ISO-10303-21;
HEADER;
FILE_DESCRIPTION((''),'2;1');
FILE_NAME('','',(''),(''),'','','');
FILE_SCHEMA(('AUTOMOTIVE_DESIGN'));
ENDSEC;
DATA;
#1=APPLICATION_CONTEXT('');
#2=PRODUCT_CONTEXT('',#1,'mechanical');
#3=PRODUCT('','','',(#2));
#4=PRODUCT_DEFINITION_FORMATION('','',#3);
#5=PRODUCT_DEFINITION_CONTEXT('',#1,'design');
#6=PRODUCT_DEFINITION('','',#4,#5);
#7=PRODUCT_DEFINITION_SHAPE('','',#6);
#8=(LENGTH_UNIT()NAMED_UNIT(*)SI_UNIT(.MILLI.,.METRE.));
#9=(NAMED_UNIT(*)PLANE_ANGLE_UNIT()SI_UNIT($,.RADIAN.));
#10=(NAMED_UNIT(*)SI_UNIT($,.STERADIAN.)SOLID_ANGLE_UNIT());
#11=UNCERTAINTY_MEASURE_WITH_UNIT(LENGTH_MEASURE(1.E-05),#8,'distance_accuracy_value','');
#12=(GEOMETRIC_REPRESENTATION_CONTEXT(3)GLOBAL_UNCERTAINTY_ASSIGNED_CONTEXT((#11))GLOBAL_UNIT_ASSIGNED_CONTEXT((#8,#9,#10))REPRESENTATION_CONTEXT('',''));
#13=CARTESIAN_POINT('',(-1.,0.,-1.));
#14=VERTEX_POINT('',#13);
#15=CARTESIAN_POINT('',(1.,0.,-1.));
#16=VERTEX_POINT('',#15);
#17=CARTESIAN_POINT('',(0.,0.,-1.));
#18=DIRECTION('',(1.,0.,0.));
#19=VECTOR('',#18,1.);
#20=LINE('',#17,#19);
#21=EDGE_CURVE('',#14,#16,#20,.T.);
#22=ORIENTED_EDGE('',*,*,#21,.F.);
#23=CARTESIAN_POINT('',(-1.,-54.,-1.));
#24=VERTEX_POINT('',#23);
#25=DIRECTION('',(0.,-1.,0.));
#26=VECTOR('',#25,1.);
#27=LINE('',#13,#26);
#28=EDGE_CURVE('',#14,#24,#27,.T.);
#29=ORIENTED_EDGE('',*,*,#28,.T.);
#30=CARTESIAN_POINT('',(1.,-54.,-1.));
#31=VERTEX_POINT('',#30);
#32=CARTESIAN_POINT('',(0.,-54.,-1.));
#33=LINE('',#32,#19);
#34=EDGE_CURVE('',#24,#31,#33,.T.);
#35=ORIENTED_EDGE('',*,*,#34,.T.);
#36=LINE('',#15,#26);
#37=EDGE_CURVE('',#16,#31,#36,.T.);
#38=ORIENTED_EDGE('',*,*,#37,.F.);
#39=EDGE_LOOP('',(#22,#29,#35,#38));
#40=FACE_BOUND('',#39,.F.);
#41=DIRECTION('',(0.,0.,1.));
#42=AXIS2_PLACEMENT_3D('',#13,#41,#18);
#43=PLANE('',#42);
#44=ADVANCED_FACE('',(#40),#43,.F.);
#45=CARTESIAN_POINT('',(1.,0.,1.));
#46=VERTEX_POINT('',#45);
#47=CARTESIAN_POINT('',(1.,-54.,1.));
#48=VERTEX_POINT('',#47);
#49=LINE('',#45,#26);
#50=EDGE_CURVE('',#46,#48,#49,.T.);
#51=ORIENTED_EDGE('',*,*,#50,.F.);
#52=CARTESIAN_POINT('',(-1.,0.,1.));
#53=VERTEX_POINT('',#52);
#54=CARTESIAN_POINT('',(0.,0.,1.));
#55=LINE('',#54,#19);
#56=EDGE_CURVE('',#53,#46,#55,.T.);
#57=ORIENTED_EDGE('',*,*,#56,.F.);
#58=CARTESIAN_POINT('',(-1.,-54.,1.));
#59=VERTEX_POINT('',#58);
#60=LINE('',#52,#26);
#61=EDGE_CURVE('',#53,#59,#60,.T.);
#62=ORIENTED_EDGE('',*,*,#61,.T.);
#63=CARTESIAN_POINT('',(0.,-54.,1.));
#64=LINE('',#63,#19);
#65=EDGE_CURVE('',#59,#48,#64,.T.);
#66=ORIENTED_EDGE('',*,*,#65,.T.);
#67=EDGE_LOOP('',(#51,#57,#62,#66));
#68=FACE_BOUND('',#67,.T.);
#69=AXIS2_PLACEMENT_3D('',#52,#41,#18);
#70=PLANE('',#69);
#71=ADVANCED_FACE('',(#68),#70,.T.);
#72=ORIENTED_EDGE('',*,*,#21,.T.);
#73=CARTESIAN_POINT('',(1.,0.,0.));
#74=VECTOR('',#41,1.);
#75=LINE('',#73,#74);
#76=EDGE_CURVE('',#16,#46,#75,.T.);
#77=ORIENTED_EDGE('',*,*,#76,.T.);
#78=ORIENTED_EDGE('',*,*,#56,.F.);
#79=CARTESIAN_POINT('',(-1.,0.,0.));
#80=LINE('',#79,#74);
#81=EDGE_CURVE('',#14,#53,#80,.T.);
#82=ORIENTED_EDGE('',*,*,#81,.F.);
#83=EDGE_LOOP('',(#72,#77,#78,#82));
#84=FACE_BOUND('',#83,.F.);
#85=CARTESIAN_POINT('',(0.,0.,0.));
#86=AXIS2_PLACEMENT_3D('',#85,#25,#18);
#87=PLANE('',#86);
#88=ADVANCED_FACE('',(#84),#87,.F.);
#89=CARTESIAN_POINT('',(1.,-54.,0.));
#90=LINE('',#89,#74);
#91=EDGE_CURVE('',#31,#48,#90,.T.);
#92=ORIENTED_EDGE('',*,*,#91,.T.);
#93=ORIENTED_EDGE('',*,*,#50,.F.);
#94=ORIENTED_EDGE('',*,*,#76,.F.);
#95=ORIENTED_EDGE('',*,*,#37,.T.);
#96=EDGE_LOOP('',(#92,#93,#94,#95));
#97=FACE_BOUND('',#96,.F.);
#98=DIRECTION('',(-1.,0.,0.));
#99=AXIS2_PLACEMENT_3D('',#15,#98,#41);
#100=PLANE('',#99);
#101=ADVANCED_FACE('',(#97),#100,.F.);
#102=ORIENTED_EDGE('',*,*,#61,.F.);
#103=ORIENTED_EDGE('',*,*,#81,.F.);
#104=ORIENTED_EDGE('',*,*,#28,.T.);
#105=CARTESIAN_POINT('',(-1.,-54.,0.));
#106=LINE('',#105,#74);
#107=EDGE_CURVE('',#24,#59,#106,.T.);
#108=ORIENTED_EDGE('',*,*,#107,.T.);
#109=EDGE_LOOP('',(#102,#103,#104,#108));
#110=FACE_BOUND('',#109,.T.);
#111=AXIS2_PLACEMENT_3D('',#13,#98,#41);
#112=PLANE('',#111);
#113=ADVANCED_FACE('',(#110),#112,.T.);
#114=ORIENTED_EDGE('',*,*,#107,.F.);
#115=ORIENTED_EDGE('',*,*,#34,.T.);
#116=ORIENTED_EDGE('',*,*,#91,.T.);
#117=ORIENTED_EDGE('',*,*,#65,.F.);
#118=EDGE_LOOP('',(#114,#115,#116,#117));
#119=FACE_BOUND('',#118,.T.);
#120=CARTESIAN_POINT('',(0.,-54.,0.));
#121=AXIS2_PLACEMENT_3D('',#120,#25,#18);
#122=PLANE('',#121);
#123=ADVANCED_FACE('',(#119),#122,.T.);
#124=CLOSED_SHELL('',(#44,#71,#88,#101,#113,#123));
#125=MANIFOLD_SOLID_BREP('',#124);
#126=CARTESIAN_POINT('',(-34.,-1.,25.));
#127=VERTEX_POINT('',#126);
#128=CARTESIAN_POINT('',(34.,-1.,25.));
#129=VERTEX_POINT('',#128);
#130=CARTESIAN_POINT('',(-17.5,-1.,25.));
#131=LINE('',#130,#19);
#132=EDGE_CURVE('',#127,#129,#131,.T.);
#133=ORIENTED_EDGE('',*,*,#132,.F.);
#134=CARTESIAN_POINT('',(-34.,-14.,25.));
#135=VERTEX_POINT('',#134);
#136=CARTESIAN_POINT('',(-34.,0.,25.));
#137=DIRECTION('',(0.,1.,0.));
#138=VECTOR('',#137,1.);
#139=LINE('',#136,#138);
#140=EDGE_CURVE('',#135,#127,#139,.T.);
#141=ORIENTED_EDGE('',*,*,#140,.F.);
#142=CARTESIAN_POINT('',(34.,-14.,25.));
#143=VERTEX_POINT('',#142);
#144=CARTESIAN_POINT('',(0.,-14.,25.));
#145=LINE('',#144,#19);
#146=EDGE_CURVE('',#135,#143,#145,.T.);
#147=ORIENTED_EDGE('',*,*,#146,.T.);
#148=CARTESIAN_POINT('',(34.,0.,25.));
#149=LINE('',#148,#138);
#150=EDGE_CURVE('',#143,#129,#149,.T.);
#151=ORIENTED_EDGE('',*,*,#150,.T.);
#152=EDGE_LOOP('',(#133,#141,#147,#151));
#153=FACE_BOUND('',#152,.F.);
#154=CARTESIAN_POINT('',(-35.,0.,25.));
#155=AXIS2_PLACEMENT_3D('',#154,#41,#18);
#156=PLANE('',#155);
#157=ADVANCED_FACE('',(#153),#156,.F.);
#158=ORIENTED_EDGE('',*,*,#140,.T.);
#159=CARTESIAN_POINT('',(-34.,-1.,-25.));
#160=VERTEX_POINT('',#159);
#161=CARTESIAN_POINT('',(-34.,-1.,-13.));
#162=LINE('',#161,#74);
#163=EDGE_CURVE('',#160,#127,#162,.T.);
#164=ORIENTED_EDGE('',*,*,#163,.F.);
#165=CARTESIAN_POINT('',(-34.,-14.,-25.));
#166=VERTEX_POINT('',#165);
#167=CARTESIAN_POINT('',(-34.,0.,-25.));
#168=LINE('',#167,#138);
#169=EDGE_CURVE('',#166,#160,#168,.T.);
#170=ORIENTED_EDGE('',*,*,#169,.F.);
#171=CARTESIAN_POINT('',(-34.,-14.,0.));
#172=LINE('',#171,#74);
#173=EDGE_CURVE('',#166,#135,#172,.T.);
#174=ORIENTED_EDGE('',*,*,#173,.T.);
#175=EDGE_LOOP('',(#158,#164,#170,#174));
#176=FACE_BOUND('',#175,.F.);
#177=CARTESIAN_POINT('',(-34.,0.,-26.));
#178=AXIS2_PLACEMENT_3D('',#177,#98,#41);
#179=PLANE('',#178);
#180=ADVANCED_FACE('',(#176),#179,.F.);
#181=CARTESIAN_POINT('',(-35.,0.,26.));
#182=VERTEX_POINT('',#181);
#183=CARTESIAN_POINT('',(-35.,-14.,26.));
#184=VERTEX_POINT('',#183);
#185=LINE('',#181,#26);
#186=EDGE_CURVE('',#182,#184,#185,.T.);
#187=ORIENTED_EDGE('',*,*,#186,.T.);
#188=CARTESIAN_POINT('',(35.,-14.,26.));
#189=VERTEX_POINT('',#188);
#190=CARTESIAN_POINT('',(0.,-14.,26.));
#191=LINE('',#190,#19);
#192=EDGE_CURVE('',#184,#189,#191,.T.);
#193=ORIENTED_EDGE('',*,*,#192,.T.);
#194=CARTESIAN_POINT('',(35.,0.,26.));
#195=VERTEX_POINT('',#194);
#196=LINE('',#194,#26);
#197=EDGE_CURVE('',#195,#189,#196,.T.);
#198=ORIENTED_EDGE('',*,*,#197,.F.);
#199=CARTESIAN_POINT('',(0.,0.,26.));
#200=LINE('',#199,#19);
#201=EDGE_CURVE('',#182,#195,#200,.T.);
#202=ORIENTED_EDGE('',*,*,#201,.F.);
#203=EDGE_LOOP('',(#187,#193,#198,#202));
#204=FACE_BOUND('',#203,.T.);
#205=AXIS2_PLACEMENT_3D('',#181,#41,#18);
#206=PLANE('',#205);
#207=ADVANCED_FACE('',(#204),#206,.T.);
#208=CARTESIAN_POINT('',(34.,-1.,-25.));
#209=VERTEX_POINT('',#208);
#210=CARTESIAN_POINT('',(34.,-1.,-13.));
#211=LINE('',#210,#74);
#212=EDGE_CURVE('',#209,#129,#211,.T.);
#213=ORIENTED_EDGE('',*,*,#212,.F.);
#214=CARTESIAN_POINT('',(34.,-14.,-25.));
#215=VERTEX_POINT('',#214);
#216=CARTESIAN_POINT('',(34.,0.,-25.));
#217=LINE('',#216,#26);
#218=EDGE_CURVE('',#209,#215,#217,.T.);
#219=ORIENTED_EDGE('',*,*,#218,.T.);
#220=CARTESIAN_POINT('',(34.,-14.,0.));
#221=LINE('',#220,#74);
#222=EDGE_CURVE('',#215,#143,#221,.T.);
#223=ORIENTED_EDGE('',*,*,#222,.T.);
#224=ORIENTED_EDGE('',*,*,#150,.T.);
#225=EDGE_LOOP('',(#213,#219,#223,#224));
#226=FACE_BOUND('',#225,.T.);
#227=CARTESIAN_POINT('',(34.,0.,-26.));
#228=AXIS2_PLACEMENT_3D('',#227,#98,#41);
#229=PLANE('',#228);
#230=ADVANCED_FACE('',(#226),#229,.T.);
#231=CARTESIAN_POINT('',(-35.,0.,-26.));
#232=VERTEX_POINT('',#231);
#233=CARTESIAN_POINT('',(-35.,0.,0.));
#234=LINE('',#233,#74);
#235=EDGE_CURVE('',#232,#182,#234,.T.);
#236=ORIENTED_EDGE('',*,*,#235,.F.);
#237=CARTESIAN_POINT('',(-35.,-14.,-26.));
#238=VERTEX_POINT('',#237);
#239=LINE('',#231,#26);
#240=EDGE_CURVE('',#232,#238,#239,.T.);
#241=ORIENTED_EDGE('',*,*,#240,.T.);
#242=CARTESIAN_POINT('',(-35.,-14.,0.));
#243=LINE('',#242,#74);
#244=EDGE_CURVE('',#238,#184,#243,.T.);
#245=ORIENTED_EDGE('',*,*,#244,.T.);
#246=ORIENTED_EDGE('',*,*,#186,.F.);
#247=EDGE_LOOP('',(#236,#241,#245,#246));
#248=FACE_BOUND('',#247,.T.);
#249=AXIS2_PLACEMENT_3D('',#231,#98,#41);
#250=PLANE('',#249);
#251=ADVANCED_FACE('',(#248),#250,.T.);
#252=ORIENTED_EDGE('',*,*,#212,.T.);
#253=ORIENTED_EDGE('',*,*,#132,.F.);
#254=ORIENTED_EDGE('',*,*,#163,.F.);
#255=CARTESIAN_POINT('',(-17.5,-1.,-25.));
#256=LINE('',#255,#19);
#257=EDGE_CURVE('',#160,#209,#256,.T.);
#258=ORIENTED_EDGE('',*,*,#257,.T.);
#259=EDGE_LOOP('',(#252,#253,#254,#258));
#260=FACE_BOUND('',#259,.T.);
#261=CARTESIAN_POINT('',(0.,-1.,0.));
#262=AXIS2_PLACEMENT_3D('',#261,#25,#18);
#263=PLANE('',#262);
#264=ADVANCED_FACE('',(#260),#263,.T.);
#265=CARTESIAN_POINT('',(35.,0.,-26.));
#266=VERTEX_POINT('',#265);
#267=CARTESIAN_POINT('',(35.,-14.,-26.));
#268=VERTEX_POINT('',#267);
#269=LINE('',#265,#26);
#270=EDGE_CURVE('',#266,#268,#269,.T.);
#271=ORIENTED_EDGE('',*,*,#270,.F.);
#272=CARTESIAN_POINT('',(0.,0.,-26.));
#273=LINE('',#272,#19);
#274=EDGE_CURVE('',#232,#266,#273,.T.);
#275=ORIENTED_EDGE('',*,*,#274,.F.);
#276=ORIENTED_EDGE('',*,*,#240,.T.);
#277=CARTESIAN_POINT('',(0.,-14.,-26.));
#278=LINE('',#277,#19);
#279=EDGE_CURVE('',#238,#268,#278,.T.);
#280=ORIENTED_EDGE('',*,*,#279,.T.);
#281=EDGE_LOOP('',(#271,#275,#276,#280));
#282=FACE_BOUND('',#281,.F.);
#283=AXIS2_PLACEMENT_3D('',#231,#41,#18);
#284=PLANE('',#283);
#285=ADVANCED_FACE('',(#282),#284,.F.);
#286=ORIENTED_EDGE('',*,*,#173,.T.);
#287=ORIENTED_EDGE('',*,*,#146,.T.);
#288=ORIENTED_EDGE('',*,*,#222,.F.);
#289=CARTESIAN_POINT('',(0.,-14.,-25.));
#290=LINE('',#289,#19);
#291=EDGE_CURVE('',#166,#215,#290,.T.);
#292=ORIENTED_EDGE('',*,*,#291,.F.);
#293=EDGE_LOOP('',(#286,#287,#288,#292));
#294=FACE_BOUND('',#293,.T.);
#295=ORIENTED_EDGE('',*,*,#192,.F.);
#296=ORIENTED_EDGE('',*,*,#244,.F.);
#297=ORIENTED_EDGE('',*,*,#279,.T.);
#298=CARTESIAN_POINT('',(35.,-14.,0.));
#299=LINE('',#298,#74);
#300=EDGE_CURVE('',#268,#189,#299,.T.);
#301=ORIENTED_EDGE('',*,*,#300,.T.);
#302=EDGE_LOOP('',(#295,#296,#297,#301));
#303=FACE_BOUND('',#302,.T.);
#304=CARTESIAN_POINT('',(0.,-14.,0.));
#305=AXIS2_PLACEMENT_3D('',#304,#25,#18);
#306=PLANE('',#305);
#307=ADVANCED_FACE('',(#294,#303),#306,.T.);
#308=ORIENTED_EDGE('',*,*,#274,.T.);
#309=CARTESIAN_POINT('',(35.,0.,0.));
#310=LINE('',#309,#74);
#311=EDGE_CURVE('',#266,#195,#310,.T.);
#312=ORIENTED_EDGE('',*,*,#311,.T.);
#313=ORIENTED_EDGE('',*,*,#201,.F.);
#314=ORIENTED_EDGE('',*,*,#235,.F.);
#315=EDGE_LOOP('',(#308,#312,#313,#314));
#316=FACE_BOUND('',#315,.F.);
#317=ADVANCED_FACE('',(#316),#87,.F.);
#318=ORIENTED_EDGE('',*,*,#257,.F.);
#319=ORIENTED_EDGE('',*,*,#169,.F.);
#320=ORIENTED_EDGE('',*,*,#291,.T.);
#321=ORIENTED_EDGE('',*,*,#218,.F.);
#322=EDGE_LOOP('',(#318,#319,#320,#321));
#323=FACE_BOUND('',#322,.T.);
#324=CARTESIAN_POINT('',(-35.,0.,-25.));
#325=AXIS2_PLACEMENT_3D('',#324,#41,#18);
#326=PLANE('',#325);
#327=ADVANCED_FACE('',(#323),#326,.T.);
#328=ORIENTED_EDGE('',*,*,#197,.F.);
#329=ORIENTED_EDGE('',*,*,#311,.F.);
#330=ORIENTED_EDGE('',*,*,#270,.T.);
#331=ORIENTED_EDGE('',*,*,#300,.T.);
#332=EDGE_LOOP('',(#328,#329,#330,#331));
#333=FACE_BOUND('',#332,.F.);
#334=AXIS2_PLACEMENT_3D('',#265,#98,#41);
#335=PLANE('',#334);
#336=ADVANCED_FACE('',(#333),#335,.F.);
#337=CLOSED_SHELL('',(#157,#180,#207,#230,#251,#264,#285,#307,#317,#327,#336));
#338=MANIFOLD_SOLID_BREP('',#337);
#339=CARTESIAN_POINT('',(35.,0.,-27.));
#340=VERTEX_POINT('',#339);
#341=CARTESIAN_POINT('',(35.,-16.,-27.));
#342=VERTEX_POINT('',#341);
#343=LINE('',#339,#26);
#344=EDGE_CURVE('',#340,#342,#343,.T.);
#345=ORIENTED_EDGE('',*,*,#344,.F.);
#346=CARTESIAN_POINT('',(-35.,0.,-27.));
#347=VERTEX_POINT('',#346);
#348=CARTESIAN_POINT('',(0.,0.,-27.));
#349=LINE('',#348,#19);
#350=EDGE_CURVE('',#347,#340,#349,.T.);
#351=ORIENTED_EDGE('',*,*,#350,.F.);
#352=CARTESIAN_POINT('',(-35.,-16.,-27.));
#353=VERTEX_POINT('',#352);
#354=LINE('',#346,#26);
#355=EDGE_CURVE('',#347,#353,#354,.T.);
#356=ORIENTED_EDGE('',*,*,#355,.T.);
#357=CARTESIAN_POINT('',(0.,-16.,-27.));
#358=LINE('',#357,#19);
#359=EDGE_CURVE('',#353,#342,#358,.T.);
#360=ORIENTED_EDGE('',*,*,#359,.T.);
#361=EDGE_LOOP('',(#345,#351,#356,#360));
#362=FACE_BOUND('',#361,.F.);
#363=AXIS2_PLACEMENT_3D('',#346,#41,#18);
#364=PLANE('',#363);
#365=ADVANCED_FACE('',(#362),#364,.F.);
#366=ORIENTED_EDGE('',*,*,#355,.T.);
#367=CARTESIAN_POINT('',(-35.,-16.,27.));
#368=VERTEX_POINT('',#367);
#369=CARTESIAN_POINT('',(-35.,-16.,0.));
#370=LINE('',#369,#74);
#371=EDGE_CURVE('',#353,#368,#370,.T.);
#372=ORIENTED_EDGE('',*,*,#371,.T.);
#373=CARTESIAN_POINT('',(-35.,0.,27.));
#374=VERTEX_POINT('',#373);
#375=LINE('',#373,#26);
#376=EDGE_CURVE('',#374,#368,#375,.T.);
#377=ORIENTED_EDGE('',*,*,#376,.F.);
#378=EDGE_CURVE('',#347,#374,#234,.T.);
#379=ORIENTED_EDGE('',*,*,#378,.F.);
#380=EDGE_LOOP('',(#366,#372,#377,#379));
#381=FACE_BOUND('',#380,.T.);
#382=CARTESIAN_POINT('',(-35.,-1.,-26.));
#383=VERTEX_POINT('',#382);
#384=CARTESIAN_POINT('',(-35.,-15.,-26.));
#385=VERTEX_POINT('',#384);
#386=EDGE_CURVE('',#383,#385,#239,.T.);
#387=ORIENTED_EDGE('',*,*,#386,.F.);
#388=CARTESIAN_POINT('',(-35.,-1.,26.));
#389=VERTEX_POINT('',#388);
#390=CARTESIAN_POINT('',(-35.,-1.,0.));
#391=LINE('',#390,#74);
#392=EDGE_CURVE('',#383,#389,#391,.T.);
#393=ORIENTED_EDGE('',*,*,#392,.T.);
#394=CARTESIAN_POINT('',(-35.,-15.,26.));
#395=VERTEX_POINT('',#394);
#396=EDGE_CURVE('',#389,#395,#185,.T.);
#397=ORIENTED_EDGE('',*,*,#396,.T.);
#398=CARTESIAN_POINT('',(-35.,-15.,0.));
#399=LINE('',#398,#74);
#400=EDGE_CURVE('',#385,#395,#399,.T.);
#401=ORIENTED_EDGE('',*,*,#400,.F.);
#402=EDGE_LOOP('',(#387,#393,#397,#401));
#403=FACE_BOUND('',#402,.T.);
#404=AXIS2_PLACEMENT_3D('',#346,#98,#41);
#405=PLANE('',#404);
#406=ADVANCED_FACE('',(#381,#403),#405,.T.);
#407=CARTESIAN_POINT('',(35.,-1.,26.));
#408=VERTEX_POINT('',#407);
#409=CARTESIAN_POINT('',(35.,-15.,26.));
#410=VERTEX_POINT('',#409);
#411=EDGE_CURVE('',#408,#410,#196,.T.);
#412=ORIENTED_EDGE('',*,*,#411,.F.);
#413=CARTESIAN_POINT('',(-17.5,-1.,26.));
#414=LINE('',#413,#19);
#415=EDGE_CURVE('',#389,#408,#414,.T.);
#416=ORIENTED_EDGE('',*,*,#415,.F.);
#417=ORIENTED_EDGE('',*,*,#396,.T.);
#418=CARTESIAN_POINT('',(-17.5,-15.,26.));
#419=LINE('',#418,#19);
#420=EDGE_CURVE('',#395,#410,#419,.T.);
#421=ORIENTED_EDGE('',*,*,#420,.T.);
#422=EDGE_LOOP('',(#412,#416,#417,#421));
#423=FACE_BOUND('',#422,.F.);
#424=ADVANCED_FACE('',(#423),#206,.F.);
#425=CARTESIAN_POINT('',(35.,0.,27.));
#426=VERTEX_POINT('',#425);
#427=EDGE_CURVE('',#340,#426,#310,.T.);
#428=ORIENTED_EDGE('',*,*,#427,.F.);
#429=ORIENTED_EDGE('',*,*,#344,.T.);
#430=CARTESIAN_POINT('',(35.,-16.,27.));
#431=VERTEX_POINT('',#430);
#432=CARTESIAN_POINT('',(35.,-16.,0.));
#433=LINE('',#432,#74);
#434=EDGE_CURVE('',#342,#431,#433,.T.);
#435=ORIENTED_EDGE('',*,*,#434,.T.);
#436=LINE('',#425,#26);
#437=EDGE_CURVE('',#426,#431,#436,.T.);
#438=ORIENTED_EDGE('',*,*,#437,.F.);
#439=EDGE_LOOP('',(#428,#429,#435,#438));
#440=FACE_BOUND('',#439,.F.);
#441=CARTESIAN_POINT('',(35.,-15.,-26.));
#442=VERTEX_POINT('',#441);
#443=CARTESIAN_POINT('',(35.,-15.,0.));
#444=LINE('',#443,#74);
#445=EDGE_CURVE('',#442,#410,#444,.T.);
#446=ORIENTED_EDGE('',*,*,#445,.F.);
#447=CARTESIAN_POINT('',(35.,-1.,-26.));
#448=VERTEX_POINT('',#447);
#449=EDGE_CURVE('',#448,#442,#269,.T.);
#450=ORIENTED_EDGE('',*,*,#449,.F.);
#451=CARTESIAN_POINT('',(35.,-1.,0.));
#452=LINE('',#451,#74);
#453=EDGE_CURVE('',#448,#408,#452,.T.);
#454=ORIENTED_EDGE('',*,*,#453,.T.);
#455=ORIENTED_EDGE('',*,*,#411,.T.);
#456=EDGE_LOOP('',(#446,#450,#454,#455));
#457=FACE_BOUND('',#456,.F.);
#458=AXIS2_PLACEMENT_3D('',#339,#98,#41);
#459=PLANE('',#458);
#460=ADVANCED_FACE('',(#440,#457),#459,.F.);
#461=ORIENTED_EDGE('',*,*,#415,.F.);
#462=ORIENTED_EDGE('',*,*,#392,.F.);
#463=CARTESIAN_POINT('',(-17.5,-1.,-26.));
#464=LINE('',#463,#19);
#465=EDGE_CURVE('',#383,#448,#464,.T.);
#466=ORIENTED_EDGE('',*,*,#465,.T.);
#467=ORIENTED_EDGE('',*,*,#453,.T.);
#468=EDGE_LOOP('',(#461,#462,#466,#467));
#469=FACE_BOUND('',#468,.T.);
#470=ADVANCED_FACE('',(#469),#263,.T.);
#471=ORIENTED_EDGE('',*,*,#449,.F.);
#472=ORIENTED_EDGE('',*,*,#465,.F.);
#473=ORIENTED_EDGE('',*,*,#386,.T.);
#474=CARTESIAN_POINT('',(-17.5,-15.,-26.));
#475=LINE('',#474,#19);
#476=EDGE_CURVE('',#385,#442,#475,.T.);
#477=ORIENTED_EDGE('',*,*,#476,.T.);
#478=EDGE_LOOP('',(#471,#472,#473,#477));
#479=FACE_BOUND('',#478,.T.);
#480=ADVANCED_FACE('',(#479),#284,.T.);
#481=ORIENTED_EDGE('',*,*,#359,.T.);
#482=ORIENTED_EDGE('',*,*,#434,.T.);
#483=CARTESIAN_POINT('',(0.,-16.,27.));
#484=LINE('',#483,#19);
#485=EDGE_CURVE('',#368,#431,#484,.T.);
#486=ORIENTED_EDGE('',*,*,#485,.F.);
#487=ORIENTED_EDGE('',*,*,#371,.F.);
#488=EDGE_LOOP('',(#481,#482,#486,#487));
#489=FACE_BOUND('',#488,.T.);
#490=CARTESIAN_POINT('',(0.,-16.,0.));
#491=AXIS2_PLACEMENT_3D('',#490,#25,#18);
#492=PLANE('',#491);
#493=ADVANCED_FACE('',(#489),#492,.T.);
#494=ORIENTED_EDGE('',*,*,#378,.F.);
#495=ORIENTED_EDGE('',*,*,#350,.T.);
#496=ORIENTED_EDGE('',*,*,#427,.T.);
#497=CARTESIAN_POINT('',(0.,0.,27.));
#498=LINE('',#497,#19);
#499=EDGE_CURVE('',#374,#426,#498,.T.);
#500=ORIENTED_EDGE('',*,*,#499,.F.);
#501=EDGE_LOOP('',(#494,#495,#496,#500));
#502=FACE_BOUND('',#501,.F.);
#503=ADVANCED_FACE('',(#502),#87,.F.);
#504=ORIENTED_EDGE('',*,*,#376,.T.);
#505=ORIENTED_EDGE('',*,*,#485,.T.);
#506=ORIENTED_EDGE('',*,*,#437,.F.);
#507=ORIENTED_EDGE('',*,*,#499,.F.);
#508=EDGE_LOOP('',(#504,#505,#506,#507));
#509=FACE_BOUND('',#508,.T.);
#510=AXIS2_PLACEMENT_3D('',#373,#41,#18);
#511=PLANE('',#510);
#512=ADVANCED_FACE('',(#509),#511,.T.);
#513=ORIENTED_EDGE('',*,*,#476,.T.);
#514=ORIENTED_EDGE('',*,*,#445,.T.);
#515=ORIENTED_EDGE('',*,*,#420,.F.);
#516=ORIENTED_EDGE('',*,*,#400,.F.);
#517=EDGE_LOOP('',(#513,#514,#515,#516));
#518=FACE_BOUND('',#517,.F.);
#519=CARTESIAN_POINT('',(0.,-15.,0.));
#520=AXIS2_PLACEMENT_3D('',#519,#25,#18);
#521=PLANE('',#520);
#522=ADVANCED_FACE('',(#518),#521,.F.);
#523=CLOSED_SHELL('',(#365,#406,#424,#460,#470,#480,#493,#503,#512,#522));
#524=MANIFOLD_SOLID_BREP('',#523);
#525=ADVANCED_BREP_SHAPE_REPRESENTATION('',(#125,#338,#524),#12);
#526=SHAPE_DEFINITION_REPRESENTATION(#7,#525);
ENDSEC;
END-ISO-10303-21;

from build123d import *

# Parameters (mm, degrees)
F0_W     = 70
F0_H     = 54
F1_DEPTH = 16
F2_T     = -1
F3_W     = 70
F3_H     = 52
F4_DEPTH = 14
F5_T     = -1
F6_W     = 2
F6_H     = 2
F7_DEPTH = 54


with BuildPart() as f1:
    # F0 (on Front) → F1 (new body)
    with BuildSketch(Plane.XZ):
        Rectangle(F0_W, F0_H)
    extrude(amount=F1_DEPTH)

    # F2
    f2_openings = [f1.faces().sort_by_distance(p)[0] for p in [
        (35, -8, 0),
        (-35, -8, 0),
    ]]
    offset(amount=F2_T, openings=f2_openings)


with BuildPart() as f4:
    # F3 (on Front) → F4 (new body)
    with BuildSketch(Plane.XZ):
        Rectangle(F3_W, F3_H)
    extrude(amount=F4_DEPTH)

    # F5
    f5_openings = [f4.faces().sort_by_distance(p)[0] for p in [
        (0, -14, 0),
    ]]
    offset(amount=F5_T, openings=f5_openings)


with BuildPart() as f7:
    # F6 (on Front) → F7 (new body)
    with BuildSketch(Plane.XZ):
        Rectangle(F6_W, F6_H)
    extrude(amount=F7_DEPTH)


solid = Compound([f1.part, f4.part, f7.part])
